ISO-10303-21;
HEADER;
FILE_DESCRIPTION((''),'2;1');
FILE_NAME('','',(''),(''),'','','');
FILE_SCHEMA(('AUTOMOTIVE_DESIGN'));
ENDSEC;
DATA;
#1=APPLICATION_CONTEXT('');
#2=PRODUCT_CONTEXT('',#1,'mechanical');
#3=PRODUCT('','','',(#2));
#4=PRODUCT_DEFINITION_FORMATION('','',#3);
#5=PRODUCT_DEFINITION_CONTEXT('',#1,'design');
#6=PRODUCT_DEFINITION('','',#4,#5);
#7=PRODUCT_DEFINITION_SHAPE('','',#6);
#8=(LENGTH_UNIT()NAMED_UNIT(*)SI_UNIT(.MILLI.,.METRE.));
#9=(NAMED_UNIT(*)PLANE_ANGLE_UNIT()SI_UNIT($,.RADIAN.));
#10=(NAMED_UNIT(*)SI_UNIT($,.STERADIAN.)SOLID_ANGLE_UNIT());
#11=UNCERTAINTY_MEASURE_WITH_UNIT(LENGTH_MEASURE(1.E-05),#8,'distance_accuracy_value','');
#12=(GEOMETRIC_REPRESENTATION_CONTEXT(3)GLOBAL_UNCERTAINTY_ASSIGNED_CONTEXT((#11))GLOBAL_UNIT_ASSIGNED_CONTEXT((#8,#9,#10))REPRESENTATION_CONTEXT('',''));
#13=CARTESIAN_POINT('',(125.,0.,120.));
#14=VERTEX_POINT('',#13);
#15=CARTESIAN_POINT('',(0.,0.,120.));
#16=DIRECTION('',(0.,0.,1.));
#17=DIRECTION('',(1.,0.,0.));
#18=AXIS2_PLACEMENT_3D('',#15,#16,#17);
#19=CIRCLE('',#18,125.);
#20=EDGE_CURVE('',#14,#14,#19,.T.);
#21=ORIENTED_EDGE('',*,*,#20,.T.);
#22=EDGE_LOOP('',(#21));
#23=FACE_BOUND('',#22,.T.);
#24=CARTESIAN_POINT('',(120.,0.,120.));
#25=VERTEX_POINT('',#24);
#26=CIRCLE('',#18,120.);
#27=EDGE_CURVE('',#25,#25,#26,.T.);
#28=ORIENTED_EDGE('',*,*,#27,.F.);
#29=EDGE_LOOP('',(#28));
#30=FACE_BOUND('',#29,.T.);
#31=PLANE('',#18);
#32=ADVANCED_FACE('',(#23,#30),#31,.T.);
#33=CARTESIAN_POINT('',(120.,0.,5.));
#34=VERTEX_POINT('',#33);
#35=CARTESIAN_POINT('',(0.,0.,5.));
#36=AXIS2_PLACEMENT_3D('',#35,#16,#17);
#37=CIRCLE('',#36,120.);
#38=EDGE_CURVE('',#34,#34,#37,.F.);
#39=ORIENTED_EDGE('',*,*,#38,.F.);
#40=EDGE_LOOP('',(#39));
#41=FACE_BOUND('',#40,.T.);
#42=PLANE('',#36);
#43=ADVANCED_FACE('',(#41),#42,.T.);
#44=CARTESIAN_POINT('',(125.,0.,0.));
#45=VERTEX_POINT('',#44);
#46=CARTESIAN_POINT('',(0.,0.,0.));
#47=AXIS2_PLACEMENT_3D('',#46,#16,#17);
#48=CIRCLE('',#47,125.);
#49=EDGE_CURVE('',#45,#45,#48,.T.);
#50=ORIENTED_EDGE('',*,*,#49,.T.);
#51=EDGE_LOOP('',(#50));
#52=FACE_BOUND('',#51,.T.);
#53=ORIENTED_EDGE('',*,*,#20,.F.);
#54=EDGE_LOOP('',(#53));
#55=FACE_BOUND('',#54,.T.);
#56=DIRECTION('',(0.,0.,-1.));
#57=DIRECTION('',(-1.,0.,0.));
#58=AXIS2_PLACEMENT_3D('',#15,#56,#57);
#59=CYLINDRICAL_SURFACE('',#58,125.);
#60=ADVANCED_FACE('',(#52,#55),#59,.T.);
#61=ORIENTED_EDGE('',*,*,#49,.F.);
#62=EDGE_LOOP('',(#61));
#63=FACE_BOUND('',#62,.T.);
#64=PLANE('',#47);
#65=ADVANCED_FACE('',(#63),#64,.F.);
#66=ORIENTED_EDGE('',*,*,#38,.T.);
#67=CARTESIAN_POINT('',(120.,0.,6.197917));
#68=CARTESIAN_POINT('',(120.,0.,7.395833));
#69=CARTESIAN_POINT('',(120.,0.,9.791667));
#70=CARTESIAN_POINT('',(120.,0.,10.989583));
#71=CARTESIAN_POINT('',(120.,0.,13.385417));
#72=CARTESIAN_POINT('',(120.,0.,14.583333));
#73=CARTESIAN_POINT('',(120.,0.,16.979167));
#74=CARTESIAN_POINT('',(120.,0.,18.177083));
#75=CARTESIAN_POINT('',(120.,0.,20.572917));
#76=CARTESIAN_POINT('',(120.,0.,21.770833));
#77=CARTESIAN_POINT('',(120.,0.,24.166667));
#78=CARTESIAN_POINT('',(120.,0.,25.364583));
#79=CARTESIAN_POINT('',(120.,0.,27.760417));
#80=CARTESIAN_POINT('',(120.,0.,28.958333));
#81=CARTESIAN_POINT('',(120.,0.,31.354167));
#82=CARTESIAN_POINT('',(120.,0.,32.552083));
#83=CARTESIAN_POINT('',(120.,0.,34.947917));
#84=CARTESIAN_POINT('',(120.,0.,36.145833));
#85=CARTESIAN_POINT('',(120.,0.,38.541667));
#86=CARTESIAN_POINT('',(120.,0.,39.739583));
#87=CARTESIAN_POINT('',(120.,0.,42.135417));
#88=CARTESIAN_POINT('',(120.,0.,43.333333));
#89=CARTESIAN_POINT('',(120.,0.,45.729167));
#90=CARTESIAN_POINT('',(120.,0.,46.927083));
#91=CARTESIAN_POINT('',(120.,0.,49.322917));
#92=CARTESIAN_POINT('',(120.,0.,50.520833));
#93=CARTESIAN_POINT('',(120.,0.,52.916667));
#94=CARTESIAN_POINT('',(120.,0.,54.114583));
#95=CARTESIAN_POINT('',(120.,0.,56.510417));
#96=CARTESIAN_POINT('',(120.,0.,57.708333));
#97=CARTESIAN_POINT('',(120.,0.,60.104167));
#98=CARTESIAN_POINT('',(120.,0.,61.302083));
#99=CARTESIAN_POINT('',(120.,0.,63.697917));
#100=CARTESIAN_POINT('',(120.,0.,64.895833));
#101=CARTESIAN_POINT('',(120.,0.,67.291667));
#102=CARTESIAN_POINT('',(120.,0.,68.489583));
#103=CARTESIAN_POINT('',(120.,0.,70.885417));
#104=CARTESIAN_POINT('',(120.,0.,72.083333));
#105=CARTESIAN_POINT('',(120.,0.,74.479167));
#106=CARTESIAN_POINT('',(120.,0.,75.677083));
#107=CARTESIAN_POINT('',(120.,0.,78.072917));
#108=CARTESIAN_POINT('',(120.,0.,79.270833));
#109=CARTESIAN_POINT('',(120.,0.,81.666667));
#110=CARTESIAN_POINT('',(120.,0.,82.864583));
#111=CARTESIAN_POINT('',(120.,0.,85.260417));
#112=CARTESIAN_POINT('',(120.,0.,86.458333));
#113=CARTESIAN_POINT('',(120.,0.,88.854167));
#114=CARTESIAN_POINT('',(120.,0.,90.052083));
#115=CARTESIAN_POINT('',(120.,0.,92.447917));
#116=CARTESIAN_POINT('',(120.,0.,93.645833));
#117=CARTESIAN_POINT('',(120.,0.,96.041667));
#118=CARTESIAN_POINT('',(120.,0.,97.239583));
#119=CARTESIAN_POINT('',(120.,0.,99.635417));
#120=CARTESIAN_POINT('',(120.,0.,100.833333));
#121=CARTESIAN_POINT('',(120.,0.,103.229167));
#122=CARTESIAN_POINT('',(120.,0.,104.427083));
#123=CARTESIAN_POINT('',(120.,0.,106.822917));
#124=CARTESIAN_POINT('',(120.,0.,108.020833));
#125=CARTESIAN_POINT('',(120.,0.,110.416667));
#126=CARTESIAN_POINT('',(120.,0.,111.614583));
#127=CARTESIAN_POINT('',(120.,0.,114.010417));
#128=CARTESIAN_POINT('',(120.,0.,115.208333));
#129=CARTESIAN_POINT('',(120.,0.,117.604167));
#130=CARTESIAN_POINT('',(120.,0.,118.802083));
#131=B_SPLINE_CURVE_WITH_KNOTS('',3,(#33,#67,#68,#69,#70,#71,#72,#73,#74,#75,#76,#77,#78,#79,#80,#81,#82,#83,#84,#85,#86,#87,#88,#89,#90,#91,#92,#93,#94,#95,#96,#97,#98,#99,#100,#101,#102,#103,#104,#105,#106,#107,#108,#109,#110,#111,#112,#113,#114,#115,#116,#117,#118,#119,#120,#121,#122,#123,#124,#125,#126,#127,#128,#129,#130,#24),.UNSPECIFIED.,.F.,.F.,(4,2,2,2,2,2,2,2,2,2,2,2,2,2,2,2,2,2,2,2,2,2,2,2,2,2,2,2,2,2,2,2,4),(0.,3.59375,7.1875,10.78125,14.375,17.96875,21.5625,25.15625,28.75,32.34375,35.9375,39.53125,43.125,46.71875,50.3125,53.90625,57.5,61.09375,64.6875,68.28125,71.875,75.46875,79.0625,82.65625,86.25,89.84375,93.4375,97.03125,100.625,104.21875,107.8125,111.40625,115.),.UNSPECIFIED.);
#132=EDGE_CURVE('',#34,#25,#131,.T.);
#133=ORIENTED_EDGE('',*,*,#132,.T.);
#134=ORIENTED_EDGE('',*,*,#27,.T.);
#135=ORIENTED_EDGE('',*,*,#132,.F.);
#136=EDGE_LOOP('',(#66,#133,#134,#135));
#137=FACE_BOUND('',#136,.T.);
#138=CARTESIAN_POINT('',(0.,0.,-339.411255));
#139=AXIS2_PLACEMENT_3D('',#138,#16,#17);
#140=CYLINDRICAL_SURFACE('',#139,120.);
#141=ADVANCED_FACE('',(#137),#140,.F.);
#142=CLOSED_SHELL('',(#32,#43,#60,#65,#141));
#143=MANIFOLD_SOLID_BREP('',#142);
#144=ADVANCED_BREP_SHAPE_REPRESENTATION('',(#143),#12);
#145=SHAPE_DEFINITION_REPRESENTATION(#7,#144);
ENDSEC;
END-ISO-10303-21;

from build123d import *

# Parameters (mm, degrees)
OUTER_DIAMETER_SKETCH_R      = 125
OUTER_DIAMETER_EXTRUDE_DEPTH = 120
INNER_DIAMETER_SKETCH_R      = 120
INNER_DIAMETER_CUT_DEPTH     = 115


with BuildPart() as part:
    # Outer Diameter Sketch → Outer Diameter Extrude (new body)
    with BuildSketch(Plane.XY):
        Circle(OUTER_DIAMETER_SKETCH_R)
    extrude(amount=OUTER_DIAMETER_EXTRUDE_DEPTH)

    # Inner Diameter Sketch → Inner Diameter Cut (cut)
    with BuildSketch(Plane.XY.offset(120)):
        Circle(INNER_DIAMETER_SKETCH_R)
    extrude(amount=-INNER_DIAMETER_CUT_DEPTH, mode=Mode.SUBTRACT)


solid = part.part
